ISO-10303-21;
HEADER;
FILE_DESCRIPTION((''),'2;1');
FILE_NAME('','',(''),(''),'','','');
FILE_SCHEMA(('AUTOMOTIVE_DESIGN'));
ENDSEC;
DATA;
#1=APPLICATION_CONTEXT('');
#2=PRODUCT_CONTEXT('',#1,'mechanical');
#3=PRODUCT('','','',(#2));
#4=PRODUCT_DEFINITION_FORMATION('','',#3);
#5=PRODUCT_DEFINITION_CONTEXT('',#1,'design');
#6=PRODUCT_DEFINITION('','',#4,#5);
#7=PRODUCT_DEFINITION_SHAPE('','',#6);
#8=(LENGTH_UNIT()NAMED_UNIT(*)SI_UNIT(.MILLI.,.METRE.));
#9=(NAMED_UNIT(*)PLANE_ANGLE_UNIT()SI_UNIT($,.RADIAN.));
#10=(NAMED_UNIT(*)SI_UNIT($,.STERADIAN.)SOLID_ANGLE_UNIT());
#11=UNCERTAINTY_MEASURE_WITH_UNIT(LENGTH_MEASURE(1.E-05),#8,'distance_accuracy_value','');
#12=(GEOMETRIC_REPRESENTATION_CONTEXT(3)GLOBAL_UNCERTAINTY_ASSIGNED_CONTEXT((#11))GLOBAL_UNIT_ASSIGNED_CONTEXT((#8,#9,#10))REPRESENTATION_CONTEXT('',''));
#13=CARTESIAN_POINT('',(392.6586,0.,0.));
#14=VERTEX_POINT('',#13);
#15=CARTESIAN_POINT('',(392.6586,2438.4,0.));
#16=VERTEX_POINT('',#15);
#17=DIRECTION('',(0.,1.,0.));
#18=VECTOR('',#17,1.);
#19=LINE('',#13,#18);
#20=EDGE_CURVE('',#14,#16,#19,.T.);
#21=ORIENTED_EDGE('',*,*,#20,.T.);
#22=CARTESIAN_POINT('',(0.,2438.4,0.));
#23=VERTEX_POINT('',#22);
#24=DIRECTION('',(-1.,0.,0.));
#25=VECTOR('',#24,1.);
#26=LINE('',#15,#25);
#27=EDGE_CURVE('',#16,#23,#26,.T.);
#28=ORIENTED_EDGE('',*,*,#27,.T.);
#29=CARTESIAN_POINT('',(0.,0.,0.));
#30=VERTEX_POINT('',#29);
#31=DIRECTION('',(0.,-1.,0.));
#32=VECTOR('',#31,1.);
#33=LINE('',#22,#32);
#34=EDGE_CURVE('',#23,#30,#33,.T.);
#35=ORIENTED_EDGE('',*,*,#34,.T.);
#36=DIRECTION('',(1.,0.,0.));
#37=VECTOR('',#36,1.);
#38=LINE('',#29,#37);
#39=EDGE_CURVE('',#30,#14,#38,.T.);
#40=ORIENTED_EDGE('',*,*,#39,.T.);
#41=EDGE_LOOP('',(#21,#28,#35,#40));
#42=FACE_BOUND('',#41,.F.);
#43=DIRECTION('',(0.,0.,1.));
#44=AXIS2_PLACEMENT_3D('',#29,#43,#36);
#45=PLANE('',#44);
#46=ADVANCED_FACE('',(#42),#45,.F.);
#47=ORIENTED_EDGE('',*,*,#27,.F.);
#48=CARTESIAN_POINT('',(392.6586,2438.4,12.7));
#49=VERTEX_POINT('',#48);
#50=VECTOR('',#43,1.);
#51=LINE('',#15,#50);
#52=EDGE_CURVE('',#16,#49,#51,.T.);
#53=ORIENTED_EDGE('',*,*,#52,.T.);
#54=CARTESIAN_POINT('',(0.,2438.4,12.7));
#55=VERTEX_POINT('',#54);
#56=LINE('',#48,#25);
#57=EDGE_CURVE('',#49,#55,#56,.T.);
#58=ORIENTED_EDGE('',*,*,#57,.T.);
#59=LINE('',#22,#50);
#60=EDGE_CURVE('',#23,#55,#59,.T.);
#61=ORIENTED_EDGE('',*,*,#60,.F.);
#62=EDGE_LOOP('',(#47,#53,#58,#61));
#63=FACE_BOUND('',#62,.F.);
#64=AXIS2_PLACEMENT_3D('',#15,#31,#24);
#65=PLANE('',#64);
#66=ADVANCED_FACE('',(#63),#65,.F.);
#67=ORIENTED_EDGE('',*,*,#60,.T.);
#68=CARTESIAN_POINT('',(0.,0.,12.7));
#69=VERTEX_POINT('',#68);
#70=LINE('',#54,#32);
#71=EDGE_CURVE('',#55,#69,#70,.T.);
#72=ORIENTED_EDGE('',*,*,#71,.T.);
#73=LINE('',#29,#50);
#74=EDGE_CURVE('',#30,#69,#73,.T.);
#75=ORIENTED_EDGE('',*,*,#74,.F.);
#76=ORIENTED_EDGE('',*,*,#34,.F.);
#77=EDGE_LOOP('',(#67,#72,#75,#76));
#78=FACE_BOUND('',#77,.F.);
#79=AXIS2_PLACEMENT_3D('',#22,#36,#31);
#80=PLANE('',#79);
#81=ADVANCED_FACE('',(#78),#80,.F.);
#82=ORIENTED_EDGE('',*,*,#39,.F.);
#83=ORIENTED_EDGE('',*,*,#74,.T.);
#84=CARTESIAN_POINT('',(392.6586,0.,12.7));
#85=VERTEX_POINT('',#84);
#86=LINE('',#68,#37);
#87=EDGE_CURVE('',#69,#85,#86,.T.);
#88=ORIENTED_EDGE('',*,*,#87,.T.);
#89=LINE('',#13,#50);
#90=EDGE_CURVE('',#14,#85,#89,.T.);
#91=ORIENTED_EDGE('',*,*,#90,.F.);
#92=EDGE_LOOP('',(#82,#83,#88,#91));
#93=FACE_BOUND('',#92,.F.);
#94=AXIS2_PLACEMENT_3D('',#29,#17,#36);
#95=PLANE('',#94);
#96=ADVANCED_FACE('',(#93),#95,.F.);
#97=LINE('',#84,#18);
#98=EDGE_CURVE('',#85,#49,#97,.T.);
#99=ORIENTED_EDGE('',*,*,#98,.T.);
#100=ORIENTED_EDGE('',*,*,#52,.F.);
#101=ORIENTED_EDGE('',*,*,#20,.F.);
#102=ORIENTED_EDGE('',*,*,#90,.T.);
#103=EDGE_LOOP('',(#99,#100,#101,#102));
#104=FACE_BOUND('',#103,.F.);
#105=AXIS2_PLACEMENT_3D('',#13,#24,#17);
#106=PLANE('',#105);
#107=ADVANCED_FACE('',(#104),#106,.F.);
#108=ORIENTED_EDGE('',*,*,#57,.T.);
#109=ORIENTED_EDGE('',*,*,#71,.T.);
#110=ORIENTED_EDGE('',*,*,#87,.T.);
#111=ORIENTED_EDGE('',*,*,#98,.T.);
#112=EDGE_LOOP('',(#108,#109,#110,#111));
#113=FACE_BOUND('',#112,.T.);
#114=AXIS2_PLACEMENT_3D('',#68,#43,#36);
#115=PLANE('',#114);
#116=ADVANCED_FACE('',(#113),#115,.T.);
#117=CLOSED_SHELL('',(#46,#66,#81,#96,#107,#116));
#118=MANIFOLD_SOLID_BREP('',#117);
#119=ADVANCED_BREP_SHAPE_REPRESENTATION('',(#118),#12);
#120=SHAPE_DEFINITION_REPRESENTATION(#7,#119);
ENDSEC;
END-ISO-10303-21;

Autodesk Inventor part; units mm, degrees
ref_plane "YZ Plane" through (0, 0, 0) normal (1, 0, 0) x (0, 1, 0)
ref_plane "XZ Plane" through (0, 0, 0) normal (0, 1, 0) x (-1, 0, 0)
ref_plane "XY Plane" through (0, 0, 0) normal (0, 0, 1) x (1, 0, 0)
sketch "Sketch1" plane through (0, 0, 0) normal (0, 0, 1) x (1, 0, 0)
  line L0 (0, 0) -> (392.6586, 0)
  line L1 (392.6586, 0) -> (392.6586, 2438.4)
  line L2 (392.6586, 2438.4) -> (0, 2438.4)
  line L3 (0, 2438.4) -> (0, 0)
  dimension "d2" = 2438.4
  dimension "d3" = 392.6586
extrude "Extrusion1" add sketch "Sketch1" along normal blind 12.7
properties part number "OSB_For_Walls_With_Dimensions_20.604_x_96_Inches" material "Wood (Birch)"
